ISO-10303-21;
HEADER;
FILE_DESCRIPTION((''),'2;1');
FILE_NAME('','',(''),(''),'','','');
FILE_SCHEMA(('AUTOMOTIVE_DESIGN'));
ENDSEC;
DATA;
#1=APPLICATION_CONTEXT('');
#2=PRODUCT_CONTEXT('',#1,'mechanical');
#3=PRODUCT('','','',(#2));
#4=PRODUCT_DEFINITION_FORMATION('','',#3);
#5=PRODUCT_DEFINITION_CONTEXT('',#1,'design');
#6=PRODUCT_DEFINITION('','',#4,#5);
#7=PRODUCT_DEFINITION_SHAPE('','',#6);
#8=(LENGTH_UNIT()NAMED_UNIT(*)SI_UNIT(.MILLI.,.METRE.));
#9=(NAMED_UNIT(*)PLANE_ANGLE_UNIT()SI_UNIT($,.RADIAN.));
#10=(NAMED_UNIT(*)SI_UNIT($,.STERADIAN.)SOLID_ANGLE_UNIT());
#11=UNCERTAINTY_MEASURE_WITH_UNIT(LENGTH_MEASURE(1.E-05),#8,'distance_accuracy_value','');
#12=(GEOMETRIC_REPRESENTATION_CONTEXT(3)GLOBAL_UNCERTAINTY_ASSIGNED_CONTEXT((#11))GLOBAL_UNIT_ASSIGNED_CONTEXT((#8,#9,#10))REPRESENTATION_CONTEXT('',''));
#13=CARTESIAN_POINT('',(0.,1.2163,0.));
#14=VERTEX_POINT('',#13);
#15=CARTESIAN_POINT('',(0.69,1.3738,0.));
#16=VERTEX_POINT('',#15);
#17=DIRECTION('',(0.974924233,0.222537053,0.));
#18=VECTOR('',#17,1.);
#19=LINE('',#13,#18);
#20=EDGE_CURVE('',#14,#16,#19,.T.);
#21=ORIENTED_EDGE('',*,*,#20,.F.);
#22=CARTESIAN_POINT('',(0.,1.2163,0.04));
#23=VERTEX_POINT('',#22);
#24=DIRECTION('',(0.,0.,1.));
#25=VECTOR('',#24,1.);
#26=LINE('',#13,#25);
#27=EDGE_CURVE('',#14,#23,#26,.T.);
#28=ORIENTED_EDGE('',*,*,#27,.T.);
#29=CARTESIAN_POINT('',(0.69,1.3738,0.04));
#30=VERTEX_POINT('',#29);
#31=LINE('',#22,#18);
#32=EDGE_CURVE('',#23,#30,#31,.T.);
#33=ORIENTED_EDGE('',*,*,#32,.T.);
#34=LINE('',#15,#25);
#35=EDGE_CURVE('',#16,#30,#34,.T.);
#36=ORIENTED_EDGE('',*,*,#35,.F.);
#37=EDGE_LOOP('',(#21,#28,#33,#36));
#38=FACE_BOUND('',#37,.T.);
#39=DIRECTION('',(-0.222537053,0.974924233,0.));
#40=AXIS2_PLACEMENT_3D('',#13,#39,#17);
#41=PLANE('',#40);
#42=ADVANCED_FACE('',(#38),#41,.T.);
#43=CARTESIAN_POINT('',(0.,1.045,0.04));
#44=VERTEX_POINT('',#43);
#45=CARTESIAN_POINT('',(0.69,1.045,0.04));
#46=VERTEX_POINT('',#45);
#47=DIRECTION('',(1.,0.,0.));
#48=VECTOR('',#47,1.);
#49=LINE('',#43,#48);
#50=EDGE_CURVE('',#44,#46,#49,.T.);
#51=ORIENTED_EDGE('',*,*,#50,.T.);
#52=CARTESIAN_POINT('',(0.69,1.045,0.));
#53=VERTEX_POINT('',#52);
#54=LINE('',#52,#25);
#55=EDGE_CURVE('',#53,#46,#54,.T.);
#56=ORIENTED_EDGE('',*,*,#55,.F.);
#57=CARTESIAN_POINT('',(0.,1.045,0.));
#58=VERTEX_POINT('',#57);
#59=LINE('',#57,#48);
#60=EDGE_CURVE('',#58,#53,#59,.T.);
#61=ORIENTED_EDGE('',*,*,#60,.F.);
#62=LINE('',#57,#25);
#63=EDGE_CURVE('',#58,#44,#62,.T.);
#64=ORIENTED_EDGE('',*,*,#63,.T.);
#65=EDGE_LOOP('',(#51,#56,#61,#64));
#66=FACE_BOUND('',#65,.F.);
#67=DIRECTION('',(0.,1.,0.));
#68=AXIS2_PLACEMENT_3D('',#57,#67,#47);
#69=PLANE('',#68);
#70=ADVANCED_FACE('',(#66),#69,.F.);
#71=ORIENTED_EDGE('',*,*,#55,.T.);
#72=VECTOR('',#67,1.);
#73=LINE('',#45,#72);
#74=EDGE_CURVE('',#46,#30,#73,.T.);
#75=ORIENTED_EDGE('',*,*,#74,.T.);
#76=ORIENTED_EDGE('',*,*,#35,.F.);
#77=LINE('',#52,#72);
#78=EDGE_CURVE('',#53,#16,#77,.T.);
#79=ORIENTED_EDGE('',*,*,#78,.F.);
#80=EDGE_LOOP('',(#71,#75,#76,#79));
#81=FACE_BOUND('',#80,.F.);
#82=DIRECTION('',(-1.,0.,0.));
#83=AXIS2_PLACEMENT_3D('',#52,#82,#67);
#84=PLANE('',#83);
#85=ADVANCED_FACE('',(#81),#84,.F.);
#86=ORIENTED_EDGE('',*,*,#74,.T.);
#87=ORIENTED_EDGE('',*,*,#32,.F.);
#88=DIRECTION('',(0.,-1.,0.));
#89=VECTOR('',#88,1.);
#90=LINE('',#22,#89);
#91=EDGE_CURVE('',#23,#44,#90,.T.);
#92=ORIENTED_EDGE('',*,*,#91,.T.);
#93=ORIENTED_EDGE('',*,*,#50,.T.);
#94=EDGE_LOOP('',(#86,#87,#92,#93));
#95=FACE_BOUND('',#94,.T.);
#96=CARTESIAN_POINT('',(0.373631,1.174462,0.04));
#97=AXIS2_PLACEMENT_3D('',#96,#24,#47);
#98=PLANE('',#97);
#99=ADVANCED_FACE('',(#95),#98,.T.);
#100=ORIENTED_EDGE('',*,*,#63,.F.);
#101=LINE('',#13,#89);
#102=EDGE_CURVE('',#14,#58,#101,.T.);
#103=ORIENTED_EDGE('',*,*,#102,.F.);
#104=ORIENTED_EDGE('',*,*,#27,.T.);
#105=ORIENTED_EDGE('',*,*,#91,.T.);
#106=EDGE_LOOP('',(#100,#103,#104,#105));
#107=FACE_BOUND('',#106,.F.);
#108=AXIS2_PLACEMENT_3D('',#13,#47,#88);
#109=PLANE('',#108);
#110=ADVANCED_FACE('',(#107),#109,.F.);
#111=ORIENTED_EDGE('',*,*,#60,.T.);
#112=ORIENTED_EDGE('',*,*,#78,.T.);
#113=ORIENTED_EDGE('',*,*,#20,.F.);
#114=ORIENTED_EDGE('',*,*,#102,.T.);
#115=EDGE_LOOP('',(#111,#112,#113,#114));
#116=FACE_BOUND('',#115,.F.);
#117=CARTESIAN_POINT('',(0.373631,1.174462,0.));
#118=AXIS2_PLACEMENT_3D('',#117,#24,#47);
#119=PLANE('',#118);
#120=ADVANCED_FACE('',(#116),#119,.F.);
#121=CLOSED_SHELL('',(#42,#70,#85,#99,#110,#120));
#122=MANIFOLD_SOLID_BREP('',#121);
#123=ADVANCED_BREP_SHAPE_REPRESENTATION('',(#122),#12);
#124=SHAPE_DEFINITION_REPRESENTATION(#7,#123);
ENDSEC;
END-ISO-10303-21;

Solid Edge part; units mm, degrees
sketch "Sketch1" plane through (0, 0, 0) normal (0, 0, 1) x (1, 0, 0)
  line L0 (0, 1.045) -> (0.69, 1.045)
  line L1 (0.69, 1.045) -> (0.69, 1.3738)
  line L2 (0, 1.2163) -> (0.69, 1.3738)
  line L3 (0, 1.2163) -> (0, 1.045)
extrude "Protrusion1" add sketch "Sketch1" along normal blind 0.04
